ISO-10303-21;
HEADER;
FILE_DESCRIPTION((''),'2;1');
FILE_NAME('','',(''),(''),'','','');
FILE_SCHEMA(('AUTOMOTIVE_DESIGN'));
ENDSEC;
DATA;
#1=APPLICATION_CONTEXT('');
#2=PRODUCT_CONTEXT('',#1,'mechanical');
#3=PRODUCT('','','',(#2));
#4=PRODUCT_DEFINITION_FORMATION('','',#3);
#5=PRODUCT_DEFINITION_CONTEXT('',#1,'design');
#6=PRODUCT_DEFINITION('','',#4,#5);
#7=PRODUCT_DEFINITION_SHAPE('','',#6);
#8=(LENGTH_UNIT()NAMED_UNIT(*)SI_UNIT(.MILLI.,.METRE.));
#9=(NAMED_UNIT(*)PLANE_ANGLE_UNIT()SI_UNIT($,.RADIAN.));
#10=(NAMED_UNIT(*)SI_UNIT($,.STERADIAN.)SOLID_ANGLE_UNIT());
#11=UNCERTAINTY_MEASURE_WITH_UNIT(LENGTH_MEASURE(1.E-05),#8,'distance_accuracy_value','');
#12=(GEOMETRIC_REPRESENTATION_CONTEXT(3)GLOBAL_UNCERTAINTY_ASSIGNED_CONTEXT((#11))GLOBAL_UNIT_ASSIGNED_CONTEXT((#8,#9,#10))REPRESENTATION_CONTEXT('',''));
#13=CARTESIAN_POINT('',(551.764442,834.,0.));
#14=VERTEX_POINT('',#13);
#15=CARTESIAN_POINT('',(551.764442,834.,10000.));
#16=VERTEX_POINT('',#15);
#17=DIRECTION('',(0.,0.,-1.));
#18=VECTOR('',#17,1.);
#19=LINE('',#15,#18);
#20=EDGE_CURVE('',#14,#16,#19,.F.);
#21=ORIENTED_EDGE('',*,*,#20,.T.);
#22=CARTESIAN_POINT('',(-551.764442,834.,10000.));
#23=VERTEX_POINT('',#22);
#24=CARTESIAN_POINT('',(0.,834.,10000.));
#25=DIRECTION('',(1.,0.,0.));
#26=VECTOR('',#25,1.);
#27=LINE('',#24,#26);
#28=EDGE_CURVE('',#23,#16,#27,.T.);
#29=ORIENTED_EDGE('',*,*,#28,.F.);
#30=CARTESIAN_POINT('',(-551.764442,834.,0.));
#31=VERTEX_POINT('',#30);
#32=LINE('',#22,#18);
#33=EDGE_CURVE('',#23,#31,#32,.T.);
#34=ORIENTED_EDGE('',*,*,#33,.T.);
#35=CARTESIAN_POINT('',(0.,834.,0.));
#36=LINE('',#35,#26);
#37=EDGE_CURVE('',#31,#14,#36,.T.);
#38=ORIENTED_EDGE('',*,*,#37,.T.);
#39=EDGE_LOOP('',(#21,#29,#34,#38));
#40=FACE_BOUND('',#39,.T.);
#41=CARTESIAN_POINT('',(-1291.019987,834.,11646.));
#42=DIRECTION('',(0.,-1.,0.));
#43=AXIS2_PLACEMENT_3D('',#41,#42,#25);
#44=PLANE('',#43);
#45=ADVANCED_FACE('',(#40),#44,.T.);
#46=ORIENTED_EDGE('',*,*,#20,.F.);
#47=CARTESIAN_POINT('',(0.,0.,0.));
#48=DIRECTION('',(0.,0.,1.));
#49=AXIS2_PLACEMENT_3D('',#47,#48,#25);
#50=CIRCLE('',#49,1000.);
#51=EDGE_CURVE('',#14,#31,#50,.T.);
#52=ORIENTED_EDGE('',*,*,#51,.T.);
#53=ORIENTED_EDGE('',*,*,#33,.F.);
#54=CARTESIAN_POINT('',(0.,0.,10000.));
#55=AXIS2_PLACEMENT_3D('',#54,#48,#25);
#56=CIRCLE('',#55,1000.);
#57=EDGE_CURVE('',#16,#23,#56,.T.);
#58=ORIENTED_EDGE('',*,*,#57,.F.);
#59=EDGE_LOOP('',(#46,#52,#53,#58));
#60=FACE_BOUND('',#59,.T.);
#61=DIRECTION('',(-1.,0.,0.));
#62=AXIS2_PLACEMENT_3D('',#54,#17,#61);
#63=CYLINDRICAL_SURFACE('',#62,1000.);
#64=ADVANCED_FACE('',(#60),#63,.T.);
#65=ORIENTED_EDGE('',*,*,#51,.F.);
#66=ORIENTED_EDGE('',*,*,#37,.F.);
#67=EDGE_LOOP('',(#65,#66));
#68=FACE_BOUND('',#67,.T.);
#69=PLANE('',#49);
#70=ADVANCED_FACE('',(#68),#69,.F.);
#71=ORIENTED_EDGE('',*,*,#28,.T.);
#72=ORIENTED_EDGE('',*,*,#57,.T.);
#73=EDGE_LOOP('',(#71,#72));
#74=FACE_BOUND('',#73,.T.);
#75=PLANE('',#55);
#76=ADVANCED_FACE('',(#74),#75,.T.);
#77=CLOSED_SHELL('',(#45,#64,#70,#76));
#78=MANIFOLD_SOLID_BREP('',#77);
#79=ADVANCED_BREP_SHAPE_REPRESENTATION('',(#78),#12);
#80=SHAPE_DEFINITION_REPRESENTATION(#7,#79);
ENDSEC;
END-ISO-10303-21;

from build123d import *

# Parameters (mm, degrees)
SKETCH3_R               = 1000
BOSS_EXTRUDE2_DEPTH     = 10000
CUT_EXTRUDE1_DEPTH      = 1646
CUT_EXTRUDE1_DEPTH_BACK = 11886
SKETCH4_W               = 2661.896880194
SKETCH4_H               = 1886.780216117


with BuildPart() as part:
    # Sketch3 → Boss-Extrude2 (new body)
    with BuildSketch(Plane.XY):
        Circle(SKETCH3_R)
    extrude(amount=BOSS_EXTRUDE2_DEPTH)

    # Sketch4 → Cut-Extrude1 (cut, two sides: drawn at the far end of the back side and taken through both)
    with BuildSketch(Plane.XY.offset(10000).offset(-CUT_EXTRUDE1_DEPTH_BACK)):
        with Locations((39.928453203, -109.390108059)):
            Rectangle(SKETCH4_W, SKETCH4_H)
    extrude(amount=CUT_EXTRUDE1_DEPTH + CUT_EXTRUDE1_DEPTH_BACK, mode=Mode.SUBTRACT)


solid = part.part
